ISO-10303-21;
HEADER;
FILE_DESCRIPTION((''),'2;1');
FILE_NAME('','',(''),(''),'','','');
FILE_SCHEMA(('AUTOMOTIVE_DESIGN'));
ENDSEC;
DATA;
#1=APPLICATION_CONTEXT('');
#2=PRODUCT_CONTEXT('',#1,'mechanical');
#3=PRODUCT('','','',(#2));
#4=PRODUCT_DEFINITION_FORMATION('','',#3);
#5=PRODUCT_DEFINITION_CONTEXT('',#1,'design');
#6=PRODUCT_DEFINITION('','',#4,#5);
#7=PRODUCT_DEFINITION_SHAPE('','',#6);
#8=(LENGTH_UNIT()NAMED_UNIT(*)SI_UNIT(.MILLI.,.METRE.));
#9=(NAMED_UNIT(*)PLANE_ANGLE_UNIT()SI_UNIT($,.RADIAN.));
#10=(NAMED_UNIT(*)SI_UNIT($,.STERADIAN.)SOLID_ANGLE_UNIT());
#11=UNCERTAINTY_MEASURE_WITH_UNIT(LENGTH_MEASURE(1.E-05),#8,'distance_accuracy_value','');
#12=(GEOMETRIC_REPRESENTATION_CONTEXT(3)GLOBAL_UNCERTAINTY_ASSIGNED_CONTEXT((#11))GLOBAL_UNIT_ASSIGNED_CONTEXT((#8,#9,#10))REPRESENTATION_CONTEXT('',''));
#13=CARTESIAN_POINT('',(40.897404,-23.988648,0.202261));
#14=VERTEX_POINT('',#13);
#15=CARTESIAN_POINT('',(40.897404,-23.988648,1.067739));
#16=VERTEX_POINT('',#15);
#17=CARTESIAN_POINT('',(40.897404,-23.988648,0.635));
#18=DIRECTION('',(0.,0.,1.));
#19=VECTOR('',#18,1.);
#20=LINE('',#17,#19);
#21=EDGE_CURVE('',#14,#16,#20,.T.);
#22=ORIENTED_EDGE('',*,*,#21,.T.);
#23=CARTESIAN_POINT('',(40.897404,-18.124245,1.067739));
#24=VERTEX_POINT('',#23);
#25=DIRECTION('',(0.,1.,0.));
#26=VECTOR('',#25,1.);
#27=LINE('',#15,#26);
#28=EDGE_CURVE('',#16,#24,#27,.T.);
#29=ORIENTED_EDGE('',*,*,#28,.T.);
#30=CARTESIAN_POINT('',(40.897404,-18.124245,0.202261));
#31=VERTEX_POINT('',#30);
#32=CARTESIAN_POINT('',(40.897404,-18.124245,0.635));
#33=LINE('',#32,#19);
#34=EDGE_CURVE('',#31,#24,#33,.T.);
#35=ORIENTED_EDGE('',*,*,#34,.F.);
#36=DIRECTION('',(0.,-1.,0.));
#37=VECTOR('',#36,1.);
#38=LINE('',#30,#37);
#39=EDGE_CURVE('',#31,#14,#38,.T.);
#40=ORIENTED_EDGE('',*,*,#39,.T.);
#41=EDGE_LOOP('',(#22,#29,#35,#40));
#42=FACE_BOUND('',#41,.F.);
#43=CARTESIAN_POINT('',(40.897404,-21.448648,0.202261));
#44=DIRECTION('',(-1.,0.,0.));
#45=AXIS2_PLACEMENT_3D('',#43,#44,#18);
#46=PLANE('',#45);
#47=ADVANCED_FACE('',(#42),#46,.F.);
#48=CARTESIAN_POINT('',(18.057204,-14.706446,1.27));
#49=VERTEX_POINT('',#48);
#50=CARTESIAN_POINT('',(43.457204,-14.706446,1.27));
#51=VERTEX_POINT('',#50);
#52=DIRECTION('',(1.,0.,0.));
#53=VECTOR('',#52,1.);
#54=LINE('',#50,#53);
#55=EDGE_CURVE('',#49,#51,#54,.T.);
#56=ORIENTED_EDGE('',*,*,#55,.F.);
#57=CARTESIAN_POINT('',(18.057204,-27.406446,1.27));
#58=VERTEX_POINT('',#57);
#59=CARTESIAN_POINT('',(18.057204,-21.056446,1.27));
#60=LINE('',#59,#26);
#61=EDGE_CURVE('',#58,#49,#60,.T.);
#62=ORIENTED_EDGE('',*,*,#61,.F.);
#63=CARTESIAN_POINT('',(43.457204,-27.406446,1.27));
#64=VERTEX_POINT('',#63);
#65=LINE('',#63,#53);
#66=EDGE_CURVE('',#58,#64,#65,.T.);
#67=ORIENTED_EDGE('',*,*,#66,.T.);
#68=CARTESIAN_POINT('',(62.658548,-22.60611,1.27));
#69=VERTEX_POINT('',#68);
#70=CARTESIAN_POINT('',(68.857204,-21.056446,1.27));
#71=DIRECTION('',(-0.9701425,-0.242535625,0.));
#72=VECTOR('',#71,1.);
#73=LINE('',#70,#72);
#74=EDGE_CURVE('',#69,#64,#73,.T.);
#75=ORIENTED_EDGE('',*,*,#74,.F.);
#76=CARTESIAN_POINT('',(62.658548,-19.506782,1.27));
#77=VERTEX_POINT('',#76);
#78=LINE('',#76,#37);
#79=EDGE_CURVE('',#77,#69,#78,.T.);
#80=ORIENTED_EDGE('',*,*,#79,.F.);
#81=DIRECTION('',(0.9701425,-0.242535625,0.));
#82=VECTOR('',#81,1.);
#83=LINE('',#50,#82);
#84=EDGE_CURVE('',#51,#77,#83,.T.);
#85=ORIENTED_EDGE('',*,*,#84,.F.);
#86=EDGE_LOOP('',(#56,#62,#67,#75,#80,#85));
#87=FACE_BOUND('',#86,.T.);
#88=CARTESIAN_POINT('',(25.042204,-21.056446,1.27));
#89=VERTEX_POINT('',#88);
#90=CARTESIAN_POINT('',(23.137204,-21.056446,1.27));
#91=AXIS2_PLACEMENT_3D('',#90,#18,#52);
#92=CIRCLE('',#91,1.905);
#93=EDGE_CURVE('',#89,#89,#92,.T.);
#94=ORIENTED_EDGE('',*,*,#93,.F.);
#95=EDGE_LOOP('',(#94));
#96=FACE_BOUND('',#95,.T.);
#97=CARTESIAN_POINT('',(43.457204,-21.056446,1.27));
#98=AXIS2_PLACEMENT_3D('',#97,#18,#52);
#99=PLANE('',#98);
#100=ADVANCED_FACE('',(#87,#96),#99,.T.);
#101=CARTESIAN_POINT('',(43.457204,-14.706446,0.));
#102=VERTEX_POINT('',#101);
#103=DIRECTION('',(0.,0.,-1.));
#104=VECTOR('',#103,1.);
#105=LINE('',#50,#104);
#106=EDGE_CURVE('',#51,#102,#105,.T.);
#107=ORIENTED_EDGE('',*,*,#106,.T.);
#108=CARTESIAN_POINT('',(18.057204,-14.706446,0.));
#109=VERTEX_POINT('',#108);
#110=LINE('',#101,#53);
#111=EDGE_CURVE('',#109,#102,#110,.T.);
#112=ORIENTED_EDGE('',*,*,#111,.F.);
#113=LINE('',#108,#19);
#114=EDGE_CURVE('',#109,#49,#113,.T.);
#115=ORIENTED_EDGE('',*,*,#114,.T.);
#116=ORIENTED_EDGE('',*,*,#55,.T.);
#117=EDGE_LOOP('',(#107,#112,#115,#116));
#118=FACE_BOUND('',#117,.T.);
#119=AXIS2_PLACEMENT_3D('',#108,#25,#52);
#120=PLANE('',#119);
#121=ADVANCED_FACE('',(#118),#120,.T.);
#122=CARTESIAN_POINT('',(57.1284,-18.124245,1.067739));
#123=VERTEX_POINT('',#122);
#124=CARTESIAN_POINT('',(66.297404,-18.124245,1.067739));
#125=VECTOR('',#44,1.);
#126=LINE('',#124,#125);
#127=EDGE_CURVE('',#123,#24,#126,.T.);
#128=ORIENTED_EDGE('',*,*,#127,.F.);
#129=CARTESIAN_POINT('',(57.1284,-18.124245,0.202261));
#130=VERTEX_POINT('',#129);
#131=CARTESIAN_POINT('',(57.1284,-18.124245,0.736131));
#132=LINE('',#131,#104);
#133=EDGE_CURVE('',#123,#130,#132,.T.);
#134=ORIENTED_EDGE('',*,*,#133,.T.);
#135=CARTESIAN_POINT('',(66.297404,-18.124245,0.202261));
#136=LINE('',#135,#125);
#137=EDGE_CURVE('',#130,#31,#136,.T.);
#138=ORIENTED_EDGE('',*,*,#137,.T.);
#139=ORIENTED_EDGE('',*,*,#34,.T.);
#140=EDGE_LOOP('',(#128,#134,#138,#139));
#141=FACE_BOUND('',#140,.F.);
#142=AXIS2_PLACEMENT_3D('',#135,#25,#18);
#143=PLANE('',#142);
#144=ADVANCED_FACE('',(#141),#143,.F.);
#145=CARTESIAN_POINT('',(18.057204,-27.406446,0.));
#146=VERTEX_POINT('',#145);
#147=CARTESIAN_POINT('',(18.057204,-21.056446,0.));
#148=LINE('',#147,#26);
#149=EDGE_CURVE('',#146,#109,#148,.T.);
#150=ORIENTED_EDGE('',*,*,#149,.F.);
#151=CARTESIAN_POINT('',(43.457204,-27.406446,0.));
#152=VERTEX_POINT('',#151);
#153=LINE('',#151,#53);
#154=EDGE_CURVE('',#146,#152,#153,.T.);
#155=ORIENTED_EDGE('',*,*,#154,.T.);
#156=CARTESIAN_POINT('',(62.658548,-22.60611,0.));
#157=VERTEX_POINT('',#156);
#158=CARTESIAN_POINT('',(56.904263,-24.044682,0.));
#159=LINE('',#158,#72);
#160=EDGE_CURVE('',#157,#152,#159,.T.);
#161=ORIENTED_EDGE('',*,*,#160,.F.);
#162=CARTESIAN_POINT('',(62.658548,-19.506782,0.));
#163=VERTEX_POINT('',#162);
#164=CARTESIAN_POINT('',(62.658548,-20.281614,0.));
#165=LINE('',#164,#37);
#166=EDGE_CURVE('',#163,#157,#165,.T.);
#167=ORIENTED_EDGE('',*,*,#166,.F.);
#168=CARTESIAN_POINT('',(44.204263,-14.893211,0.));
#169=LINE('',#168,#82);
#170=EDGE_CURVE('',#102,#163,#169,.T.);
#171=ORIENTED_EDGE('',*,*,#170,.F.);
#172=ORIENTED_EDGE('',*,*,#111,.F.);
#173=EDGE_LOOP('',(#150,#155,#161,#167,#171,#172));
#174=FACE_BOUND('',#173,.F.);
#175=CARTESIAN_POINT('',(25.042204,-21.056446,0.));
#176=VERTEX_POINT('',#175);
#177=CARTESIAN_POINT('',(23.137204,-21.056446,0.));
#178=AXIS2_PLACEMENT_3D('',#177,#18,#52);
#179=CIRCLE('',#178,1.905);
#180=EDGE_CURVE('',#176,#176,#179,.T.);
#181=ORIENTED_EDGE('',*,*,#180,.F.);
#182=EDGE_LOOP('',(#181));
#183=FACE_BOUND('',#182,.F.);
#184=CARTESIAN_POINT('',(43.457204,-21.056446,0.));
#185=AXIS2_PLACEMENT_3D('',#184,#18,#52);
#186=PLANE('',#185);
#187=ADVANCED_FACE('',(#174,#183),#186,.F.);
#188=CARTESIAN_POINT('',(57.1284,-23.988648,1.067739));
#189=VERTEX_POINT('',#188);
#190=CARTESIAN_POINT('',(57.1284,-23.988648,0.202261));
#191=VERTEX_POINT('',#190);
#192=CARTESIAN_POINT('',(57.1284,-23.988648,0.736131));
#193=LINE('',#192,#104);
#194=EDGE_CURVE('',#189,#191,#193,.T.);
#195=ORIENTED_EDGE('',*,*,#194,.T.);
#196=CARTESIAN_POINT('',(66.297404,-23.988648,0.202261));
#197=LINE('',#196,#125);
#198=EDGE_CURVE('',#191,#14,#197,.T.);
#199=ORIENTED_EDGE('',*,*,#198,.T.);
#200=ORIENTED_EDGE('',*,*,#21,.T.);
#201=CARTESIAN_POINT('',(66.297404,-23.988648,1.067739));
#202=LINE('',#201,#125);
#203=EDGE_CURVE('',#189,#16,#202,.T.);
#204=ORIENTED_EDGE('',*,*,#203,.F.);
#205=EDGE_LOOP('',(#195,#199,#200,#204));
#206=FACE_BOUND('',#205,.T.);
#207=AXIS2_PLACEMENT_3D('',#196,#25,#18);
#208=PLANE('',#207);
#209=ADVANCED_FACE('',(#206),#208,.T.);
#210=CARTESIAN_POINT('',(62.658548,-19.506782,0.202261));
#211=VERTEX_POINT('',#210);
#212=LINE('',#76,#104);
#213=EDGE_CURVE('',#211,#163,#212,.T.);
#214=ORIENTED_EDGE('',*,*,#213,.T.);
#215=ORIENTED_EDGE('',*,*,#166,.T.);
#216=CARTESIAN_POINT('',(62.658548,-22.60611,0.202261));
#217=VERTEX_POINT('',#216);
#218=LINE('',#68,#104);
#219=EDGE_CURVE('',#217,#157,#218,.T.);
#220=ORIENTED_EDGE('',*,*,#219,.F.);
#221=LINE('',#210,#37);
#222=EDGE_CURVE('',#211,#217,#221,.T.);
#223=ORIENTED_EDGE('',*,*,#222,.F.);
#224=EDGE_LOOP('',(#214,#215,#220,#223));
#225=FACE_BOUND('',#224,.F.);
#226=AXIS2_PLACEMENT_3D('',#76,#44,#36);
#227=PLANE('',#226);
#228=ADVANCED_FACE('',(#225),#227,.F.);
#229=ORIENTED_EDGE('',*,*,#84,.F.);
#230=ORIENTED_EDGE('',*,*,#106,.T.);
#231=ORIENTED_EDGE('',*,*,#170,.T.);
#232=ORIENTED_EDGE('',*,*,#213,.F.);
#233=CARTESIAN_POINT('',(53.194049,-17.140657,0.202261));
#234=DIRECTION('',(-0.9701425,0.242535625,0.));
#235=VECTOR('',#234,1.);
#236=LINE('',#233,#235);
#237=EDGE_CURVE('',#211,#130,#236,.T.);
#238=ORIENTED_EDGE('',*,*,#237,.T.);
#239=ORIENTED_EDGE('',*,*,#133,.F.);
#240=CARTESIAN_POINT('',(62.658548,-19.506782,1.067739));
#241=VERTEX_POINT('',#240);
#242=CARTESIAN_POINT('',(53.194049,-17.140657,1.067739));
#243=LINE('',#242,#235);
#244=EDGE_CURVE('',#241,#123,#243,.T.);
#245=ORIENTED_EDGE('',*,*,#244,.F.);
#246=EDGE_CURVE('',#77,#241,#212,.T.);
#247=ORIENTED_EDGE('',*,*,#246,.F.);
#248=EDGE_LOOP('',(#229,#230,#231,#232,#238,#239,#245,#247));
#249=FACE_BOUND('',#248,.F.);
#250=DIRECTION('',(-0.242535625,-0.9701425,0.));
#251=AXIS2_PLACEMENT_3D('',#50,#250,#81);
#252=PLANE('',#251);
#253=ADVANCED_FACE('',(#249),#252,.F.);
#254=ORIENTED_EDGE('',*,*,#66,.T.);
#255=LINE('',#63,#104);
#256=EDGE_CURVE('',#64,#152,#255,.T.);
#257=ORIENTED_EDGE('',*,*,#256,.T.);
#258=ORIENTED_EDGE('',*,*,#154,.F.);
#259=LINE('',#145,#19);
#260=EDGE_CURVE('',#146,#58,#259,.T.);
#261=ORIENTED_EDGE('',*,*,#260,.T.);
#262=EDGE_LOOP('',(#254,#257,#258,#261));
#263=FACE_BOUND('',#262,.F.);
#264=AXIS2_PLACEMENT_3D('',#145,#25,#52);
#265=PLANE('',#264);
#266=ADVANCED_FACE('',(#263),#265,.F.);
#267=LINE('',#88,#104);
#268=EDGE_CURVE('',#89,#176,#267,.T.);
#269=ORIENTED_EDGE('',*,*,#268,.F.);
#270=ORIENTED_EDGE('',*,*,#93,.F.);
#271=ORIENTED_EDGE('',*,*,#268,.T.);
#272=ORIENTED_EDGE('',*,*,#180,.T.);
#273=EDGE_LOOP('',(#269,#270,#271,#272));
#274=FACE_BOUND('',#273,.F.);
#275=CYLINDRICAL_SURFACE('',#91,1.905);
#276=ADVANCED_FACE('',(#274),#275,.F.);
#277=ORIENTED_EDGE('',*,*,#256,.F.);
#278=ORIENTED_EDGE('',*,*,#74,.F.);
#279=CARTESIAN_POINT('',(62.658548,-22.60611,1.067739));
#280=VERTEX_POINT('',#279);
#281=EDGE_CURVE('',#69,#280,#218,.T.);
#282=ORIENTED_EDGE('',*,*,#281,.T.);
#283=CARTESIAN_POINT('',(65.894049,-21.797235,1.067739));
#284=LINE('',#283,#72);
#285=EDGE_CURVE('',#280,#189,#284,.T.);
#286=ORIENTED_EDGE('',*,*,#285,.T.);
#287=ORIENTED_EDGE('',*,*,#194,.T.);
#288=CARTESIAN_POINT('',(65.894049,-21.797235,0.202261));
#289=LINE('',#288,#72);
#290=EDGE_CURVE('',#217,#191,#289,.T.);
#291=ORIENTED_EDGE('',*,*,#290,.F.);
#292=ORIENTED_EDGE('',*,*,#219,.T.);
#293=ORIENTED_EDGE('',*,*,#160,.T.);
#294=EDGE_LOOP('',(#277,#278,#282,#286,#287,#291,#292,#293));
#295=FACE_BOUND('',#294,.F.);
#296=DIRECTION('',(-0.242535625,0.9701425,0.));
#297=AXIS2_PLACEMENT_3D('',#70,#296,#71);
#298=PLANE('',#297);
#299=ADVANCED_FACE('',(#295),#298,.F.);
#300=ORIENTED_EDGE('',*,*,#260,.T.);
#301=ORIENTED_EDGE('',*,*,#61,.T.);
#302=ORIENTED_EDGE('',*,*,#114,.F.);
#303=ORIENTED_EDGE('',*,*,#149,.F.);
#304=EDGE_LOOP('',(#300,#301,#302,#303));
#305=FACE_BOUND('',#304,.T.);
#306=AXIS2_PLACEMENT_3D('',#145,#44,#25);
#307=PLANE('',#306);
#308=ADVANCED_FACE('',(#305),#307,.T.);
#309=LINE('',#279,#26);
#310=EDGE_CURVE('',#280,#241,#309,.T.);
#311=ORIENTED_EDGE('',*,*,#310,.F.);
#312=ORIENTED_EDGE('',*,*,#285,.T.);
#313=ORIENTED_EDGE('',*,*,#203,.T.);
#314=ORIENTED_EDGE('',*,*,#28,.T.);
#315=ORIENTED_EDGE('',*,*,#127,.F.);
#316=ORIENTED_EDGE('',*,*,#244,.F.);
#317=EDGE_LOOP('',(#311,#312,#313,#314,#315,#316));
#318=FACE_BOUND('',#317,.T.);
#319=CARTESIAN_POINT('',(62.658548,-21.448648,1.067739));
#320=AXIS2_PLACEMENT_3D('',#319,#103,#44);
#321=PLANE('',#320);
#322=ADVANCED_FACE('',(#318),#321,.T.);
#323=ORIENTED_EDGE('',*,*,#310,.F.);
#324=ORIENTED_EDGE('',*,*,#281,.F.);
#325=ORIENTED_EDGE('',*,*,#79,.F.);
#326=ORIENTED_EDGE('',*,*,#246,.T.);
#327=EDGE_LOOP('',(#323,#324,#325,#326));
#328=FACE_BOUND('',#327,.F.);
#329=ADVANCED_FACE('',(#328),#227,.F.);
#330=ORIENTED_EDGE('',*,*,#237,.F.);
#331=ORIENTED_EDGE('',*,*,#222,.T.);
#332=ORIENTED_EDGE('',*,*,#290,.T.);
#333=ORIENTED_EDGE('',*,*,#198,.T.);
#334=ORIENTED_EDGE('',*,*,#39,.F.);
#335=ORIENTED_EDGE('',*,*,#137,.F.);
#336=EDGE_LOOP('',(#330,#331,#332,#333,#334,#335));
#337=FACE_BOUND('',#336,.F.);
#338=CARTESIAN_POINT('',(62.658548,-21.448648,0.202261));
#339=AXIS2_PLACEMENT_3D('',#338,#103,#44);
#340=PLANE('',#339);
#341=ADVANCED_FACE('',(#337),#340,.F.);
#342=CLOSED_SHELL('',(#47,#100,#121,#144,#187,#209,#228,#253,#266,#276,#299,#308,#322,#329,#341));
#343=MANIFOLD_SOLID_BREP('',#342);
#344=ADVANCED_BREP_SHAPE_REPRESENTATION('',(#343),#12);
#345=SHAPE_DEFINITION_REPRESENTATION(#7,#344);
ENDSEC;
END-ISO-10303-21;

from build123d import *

# Parameters (mm, degrees)
F0_W      = 50.8
F0_H      = 12.7
F1_DEPTH  = 1.27
F2_R      = 1.905
F3_DEPTH  = 25.4
F5_DEPTH  = 25.4
F7_DEPTH  = 25.4
F8_W      = 0.7844022775
F8_H      = 0.8654778569
F9_DEPTH  = 25.4
F11_DEPTH = 25.4
F12_DEPTH = 2.54
F13_DEPTH = 2.54


with BuildPart() as f1:
    # F0 (on Top) → F1 (new body)
    with BuildSketch(Plane.XY):
        with Locations((43.457204476, -21.0564464647)):
            Rectangle(F0_W, F0_H)
    extrude(amount=F1_DEPTH)

    # F2 (on face) → F3 (cut)
    with BuildSketch(Plane.XY.offset(1.27)):
        with Locations((23.137204476, -21.0564464647)):
            Circle(F2_R)
    extrude(amount=-F3_DEPTH, mode=Mode.SUBTRACT)

    # F4 (on face) → F5 (cut)
    with BuildSketch(Plane.XY.offset(1.27)):
        Polygon((43.457204476, -14.7064464647), (68.857204476, -21.0564464647), (68.857204476, -14.7064464647), align=None)
        Polygon((68.857204476, -21.0564464647), (43.457204476, -27.4064464647), (68.857204476, -27.4064464647), align=None)
    extrude(amount=-F5_DEPTH, mode=Mode.SUBTRACT)

    # F6 (on face) → F7 (cut)
    with BuildSketch(Plane.XY.offset(1.27)):
        Polygon((66.2974044681, -34.9044203758), (68.857204476, -34.9044203758), (68.857204476, -21.0564464647), (66.2974044681, -21.6963964666), align=None)
        Polygon((66.2974044681, -21.6963964666), (68.857204476, -21.0564464647), (66.2974044681, -20.4164964627), align=None)
        Polygon((66.2974044681, -20.4164964627), (68.857204476, -21.0564464647), (68.857204476, -6.8288790062), (66.2974044681, -6.8288790062), align=None)
    extrude(amount=-F7_DEPTH, mode=Mode.SUBTRACT)

    # F8 (on face) → F9 (cut)
    with BuildSketch(Plane.YZ.offset(66.2974044681)):
        with Locations((-21.0564464647, 0.635)):
            Rectangle(F8_W, F8_H)
    extrude(amount=-F9_DEPTH, mode=Mode.SUBTRACT)

    # F10 (on face) → F11 (cut)
    with BuildSketch(Plane.XY.offset(1.27)):
        Polygon((66.2974044681, -20.4164964627), (62.6585483551, -19.5067824344), (62.6585483551, -22.6061104949), (66.2974044681, -21.6963964666), align=None)
    extrude(amount=-F11_DEPTH, mode=Mode.SUBTRACT)

    # F12 (cut): a face of the model
    f12_faces = [f1.faces().sort_by_distance(p)[0] for p in [
        (51.7779764116, -20.6642453259, 0.635),
    ]]
    extrude(f12_faces, amount=-F12_DEPTH, mode=Mode.SUBTRACT)

    # F13 (cut): a face of the model
    f13_faces = [f1.faces().sort_by_distance(p)[0] for p in [
        (51.7779764116, -21.4486476034, 0.635),
    ]]
    extrude(f13_faces, amount=-F13_DEPTH, mode=Mode.SUBTRACT)


solid = f1.part
